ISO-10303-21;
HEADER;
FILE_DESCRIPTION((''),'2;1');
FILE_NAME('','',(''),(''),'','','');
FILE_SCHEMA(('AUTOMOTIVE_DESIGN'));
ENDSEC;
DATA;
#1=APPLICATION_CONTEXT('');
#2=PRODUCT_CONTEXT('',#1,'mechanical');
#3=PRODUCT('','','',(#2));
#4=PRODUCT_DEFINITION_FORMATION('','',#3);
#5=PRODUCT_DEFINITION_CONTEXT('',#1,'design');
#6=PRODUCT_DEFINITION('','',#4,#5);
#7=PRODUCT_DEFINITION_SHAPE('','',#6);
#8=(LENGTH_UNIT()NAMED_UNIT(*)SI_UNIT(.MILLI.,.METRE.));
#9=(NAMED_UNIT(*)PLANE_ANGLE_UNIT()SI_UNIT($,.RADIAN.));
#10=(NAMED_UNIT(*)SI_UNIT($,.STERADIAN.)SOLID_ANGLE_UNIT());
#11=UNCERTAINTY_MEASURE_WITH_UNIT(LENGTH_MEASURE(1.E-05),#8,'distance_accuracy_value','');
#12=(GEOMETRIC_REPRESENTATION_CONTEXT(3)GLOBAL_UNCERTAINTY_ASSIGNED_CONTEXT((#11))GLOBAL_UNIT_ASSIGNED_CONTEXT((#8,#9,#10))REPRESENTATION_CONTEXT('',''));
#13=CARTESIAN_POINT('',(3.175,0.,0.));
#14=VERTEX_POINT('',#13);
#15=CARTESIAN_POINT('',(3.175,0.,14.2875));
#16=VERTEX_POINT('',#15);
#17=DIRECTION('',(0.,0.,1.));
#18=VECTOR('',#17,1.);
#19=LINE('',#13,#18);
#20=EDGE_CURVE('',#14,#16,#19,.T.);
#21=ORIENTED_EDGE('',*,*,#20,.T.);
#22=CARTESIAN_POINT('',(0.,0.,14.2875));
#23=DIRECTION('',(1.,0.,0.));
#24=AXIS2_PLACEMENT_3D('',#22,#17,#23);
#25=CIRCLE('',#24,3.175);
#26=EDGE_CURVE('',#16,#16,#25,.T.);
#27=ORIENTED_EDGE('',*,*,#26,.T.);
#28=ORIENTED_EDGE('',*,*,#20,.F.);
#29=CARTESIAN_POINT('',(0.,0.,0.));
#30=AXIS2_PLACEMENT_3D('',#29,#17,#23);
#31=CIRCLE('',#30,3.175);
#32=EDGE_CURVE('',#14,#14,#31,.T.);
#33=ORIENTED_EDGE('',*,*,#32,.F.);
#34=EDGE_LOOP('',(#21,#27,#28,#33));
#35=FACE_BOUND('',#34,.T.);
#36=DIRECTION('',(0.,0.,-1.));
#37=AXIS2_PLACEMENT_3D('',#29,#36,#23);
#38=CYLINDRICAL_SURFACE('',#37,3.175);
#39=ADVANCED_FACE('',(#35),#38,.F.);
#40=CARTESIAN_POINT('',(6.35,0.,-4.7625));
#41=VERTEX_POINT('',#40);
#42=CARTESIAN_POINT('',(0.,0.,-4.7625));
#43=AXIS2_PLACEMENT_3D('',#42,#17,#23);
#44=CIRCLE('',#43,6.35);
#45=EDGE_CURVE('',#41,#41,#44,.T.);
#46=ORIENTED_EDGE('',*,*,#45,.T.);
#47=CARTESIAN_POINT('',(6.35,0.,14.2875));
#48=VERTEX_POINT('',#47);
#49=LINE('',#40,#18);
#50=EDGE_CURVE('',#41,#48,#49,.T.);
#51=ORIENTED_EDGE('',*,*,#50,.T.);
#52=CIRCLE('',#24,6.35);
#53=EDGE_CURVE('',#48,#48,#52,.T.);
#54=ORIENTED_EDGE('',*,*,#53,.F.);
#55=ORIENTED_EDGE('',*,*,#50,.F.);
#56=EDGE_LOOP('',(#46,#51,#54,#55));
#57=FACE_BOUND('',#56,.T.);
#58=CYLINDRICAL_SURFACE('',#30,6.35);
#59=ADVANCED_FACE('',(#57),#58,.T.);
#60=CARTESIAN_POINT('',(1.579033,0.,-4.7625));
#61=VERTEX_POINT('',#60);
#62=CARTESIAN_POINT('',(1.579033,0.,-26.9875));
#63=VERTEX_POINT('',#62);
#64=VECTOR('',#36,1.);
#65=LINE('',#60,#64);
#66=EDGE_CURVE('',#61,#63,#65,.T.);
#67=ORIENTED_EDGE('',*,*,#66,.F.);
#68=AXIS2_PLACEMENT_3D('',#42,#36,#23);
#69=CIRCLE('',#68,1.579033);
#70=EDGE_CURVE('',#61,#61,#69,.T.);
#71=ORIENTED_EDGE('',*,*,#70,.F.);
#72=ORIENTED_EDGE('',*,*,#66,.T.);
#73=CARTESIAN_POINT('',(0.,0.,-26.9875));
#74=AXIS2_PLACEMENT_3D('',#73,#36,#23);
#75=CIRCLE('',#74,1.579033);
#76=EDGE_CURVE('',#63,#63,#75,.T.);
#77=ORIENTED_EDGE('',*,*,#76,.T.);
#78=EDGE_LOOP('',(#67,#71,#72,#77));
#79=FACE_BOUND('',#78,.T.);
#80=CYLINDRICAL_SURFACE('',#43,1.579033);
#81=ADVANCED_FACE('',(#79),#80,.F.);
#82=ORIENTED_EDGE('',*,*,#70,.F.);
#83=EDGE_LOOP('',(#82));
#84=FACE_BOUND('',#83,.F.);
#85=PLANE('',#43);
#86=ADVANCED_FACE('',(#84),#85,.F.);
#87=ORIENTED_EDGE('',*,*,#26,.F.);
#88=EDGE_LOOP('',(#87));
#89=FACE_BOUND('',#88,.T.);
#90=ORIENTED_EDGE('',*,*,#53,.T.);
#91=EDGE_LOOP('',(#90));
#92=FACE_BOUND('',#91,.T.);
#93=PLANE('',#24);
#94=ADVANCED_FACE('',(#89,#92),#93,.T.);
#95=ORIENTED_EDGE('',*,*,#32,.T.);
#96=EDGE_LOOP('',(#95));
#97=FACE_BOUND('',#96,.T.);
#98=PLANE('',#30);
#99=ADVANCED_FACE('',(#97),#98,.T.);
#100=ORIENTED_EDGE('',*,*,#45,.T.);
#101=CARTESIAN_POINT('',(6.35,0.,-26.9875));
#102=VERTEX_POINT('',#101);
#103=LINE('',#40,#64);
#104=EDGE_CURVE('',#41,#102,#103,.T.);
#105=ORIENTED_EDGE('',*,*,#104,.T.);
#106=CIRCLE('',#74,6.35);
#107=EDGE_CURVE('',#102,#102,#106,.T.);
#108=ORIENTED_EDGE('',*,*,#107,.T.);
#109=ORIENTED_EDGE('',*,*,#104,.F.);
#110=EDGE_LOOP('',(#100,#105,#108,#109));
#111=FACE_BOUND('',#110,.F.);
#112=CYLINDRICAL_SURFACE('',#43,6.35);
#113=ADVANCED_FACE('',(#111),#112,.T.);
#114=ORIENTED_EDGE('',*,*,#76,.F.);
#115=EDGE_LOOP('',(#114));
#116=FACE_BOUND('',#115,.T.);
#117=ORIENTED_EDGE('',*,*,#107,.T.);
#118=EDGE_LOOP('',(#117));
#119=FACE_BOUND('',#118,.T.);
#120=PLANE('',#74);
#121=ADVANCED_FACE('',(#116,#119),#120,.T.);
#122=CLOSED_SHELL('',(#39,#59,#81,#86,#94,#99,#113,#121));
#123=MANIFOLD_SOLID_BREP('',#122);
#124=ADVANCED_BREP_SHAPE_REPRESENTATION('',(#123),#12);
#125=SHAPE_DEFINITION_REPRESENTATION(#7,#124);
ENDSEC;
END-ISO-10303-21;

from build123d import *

# Parameters (mm, degrees)
F0_R     = 6.35
F0_R_2   = 3.175
F1_DEPTH = 14.2875
F2_R     = 6.35
F3_DEPTH = 4.7625
F4_R     = 6.35
F4_R_2   = 1.579033
F5_DEPTH = 22.225


with BuildPart() as f1:
    # F0 (on Top) → F1 (new body)
    with BuildSketch(Plane.XY):
        Circle(F0_R)
        Circle(F0_R_2, mode=Mode.SUBTRACT)
    extrude(amount=F1_DEPTH)

    # F2 (on face) → F3 (join)
    with BuildSketch(Plane.XY):
        Circle(F2_R)
    extrude(amount=-F3_DEPTH)

    # F4 (on face) → F5 (join)
    with BuildSketch(Plane(origin=(0, 0, -4.7625), x_dir=(1, 0, 0), z_dir=(0, 0, -1))):
        Circle(F4_R)
        Circle(F4_R_2, mode=Mode.SUBTRACT)
    extrude(amount=F5_DEPTH)


solid = f1.part
